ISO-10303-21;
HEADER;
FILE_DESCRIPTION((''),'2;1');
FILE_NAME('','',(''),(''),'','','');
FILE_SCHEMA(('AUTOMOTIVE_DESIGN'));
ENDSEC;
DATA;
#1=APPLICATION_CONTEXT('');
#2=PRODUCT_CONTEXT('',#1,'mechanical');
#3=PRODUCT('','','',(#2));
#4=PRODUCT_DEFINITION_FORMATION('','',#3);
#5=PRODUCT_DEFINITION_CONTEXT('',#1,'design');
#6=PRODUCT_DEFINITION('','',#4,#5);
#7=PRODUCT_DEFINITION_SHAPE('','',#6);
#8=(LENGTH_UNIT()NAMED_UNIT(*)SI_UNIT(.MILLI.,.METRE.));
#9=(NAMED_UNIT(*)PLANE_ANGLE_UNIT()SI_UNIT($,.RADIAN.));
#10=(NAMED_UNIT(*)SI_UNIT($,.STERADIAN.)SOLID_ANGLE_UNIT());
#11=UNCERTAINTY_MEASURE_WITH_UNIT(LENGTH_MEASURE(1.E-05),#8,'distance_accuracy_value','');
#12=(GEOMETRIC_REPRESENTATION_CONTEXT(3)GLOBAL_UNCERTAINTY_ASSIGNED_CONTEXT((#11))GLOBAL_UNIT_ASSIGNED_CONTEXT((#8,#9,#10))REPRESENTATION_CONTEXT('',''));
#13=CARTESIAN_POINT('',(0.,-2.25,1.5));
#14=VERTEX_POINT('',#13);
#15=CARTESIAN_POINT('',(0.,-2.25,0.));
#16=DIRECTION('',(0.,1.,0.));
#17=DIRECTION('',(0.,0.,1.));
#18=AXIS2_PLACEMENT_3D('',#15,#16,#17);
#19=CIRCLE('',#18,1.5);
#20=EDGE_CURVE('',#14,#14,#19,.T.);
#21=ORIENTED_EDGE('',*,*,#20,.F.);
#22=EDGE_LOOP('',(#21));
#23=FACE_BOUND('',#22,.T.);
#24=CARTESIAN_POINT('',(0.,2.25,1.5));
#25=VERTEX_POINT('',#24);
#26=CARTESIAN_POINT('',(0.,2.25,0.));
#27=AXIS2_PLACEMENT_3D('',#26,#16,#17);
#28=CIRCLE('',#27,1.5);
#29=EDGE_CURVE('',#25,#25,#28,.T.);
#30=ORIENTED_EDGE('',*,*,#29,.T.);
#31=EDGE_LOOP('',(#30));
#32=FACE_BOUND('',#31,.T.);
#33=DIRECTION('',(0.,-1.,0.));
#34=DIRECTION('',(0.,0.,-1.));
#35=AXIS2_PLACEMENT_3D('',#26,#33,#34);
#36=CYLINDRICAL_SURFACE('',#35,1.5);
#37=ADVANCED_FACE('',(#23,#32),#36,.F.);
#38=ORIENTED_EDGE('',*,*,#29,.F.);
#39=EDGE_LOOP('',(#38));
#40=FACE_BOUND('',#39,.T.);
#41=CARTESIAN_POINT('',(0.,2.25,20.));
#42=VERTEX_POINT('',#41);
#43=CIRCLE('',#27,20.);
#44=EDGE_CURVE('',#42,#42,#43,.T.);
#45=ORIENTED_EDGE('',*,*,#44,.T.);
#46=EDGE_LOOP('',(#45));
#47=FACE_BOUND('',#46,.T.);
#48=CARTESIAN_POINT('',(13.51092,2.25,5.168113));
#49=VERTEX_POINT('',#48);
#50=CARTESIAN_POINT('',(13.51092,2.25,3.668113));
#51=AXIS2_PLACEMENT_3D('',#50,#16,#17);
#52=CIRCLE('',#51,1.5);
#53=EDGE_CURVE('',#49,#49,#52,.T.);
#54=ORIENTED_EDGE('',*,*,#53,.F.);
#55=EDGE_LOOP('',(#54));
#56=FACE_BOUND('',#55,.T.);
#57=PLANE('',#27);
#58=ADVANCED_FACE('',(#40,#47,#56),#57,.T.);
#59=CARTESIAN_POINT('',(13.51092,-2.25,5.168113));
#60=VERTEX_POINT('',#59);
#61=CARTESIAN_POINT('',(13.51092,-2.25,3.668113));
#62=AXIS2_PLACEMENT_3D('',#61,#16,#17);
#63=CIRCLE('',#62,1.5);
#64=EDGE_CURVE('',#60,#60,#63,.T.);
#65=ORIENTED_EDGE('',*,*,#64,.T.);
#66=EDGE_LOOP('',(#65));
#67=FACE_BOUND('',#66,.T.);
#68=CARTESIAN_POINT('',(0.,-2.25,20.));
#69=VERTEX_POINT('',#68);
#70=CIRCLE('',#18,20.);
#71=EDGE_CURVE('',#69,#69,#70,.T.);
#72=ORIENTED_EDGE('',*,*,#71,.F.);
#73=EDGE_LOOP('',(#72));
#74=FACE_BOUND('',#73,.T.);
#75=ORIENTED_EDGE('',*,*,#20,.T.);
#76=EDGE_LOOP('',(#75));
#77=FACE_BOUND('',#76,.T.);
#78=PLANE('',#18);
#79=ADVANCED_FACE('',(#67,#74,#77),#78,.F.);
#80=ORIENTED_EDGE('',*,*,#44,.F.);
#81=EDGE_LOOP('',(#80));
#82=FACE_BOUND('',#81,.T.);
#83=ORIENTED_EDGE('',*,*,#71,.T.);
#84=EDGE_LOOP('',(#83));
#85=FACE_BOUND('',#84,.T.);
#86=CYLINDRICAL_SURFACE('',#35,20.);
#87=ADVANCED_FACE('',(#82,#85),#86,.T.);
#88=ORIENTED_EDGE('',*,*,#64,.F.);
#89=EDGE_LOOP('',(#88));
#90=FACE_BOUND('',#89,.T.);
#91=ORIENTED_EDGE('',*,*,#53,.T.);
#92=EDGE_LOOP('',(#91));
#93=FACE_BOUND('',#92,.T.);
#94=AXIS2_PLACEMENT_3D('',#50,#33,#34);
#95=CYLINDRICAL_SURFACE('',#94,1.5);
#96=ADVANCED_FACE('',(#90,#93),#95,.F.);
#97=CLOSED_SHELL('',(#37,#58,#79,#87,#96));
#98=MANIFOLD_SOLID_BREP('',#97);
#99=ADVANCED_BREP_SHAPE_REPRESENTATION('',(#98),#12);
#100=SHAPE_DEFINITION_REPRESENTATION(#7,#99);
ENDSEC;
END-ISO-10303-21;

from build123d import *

# Parameters (mm, degrees)
SKETCH1_R           = 20
SKETCH1_R_2         = 1.5
BOSS_EXTRUDE1_DEPTH = 2.25


with BuildPart() as part:
    # Sketch1 → Boss-Extrude1 (new, symmetric)
    with BuildSketch(Plane(origin=(0, 0, 0), x_dir=(1, 0, 0), z_dir=(0, 1, 0))):
        with Locations(Location((0, 0, 0), (0, 0, 270))):
            Circle(SKETCH1_R)
        with Locations(Location((0, 0, 0), (0, 0, 270))):
            Circle(SKETCH1_R_2, mode=Mode.SUBTRACT)
        with Locations(Location((13.5109196, -3.668112808, 0), (0, 0, 270))):
            Circle(SKETCH1_R_2, mode=Mode.SUBTRACT)
    extrude(amount=BOSS_EXTRUDE1_DEPTH, both=True)


solid = part.part
